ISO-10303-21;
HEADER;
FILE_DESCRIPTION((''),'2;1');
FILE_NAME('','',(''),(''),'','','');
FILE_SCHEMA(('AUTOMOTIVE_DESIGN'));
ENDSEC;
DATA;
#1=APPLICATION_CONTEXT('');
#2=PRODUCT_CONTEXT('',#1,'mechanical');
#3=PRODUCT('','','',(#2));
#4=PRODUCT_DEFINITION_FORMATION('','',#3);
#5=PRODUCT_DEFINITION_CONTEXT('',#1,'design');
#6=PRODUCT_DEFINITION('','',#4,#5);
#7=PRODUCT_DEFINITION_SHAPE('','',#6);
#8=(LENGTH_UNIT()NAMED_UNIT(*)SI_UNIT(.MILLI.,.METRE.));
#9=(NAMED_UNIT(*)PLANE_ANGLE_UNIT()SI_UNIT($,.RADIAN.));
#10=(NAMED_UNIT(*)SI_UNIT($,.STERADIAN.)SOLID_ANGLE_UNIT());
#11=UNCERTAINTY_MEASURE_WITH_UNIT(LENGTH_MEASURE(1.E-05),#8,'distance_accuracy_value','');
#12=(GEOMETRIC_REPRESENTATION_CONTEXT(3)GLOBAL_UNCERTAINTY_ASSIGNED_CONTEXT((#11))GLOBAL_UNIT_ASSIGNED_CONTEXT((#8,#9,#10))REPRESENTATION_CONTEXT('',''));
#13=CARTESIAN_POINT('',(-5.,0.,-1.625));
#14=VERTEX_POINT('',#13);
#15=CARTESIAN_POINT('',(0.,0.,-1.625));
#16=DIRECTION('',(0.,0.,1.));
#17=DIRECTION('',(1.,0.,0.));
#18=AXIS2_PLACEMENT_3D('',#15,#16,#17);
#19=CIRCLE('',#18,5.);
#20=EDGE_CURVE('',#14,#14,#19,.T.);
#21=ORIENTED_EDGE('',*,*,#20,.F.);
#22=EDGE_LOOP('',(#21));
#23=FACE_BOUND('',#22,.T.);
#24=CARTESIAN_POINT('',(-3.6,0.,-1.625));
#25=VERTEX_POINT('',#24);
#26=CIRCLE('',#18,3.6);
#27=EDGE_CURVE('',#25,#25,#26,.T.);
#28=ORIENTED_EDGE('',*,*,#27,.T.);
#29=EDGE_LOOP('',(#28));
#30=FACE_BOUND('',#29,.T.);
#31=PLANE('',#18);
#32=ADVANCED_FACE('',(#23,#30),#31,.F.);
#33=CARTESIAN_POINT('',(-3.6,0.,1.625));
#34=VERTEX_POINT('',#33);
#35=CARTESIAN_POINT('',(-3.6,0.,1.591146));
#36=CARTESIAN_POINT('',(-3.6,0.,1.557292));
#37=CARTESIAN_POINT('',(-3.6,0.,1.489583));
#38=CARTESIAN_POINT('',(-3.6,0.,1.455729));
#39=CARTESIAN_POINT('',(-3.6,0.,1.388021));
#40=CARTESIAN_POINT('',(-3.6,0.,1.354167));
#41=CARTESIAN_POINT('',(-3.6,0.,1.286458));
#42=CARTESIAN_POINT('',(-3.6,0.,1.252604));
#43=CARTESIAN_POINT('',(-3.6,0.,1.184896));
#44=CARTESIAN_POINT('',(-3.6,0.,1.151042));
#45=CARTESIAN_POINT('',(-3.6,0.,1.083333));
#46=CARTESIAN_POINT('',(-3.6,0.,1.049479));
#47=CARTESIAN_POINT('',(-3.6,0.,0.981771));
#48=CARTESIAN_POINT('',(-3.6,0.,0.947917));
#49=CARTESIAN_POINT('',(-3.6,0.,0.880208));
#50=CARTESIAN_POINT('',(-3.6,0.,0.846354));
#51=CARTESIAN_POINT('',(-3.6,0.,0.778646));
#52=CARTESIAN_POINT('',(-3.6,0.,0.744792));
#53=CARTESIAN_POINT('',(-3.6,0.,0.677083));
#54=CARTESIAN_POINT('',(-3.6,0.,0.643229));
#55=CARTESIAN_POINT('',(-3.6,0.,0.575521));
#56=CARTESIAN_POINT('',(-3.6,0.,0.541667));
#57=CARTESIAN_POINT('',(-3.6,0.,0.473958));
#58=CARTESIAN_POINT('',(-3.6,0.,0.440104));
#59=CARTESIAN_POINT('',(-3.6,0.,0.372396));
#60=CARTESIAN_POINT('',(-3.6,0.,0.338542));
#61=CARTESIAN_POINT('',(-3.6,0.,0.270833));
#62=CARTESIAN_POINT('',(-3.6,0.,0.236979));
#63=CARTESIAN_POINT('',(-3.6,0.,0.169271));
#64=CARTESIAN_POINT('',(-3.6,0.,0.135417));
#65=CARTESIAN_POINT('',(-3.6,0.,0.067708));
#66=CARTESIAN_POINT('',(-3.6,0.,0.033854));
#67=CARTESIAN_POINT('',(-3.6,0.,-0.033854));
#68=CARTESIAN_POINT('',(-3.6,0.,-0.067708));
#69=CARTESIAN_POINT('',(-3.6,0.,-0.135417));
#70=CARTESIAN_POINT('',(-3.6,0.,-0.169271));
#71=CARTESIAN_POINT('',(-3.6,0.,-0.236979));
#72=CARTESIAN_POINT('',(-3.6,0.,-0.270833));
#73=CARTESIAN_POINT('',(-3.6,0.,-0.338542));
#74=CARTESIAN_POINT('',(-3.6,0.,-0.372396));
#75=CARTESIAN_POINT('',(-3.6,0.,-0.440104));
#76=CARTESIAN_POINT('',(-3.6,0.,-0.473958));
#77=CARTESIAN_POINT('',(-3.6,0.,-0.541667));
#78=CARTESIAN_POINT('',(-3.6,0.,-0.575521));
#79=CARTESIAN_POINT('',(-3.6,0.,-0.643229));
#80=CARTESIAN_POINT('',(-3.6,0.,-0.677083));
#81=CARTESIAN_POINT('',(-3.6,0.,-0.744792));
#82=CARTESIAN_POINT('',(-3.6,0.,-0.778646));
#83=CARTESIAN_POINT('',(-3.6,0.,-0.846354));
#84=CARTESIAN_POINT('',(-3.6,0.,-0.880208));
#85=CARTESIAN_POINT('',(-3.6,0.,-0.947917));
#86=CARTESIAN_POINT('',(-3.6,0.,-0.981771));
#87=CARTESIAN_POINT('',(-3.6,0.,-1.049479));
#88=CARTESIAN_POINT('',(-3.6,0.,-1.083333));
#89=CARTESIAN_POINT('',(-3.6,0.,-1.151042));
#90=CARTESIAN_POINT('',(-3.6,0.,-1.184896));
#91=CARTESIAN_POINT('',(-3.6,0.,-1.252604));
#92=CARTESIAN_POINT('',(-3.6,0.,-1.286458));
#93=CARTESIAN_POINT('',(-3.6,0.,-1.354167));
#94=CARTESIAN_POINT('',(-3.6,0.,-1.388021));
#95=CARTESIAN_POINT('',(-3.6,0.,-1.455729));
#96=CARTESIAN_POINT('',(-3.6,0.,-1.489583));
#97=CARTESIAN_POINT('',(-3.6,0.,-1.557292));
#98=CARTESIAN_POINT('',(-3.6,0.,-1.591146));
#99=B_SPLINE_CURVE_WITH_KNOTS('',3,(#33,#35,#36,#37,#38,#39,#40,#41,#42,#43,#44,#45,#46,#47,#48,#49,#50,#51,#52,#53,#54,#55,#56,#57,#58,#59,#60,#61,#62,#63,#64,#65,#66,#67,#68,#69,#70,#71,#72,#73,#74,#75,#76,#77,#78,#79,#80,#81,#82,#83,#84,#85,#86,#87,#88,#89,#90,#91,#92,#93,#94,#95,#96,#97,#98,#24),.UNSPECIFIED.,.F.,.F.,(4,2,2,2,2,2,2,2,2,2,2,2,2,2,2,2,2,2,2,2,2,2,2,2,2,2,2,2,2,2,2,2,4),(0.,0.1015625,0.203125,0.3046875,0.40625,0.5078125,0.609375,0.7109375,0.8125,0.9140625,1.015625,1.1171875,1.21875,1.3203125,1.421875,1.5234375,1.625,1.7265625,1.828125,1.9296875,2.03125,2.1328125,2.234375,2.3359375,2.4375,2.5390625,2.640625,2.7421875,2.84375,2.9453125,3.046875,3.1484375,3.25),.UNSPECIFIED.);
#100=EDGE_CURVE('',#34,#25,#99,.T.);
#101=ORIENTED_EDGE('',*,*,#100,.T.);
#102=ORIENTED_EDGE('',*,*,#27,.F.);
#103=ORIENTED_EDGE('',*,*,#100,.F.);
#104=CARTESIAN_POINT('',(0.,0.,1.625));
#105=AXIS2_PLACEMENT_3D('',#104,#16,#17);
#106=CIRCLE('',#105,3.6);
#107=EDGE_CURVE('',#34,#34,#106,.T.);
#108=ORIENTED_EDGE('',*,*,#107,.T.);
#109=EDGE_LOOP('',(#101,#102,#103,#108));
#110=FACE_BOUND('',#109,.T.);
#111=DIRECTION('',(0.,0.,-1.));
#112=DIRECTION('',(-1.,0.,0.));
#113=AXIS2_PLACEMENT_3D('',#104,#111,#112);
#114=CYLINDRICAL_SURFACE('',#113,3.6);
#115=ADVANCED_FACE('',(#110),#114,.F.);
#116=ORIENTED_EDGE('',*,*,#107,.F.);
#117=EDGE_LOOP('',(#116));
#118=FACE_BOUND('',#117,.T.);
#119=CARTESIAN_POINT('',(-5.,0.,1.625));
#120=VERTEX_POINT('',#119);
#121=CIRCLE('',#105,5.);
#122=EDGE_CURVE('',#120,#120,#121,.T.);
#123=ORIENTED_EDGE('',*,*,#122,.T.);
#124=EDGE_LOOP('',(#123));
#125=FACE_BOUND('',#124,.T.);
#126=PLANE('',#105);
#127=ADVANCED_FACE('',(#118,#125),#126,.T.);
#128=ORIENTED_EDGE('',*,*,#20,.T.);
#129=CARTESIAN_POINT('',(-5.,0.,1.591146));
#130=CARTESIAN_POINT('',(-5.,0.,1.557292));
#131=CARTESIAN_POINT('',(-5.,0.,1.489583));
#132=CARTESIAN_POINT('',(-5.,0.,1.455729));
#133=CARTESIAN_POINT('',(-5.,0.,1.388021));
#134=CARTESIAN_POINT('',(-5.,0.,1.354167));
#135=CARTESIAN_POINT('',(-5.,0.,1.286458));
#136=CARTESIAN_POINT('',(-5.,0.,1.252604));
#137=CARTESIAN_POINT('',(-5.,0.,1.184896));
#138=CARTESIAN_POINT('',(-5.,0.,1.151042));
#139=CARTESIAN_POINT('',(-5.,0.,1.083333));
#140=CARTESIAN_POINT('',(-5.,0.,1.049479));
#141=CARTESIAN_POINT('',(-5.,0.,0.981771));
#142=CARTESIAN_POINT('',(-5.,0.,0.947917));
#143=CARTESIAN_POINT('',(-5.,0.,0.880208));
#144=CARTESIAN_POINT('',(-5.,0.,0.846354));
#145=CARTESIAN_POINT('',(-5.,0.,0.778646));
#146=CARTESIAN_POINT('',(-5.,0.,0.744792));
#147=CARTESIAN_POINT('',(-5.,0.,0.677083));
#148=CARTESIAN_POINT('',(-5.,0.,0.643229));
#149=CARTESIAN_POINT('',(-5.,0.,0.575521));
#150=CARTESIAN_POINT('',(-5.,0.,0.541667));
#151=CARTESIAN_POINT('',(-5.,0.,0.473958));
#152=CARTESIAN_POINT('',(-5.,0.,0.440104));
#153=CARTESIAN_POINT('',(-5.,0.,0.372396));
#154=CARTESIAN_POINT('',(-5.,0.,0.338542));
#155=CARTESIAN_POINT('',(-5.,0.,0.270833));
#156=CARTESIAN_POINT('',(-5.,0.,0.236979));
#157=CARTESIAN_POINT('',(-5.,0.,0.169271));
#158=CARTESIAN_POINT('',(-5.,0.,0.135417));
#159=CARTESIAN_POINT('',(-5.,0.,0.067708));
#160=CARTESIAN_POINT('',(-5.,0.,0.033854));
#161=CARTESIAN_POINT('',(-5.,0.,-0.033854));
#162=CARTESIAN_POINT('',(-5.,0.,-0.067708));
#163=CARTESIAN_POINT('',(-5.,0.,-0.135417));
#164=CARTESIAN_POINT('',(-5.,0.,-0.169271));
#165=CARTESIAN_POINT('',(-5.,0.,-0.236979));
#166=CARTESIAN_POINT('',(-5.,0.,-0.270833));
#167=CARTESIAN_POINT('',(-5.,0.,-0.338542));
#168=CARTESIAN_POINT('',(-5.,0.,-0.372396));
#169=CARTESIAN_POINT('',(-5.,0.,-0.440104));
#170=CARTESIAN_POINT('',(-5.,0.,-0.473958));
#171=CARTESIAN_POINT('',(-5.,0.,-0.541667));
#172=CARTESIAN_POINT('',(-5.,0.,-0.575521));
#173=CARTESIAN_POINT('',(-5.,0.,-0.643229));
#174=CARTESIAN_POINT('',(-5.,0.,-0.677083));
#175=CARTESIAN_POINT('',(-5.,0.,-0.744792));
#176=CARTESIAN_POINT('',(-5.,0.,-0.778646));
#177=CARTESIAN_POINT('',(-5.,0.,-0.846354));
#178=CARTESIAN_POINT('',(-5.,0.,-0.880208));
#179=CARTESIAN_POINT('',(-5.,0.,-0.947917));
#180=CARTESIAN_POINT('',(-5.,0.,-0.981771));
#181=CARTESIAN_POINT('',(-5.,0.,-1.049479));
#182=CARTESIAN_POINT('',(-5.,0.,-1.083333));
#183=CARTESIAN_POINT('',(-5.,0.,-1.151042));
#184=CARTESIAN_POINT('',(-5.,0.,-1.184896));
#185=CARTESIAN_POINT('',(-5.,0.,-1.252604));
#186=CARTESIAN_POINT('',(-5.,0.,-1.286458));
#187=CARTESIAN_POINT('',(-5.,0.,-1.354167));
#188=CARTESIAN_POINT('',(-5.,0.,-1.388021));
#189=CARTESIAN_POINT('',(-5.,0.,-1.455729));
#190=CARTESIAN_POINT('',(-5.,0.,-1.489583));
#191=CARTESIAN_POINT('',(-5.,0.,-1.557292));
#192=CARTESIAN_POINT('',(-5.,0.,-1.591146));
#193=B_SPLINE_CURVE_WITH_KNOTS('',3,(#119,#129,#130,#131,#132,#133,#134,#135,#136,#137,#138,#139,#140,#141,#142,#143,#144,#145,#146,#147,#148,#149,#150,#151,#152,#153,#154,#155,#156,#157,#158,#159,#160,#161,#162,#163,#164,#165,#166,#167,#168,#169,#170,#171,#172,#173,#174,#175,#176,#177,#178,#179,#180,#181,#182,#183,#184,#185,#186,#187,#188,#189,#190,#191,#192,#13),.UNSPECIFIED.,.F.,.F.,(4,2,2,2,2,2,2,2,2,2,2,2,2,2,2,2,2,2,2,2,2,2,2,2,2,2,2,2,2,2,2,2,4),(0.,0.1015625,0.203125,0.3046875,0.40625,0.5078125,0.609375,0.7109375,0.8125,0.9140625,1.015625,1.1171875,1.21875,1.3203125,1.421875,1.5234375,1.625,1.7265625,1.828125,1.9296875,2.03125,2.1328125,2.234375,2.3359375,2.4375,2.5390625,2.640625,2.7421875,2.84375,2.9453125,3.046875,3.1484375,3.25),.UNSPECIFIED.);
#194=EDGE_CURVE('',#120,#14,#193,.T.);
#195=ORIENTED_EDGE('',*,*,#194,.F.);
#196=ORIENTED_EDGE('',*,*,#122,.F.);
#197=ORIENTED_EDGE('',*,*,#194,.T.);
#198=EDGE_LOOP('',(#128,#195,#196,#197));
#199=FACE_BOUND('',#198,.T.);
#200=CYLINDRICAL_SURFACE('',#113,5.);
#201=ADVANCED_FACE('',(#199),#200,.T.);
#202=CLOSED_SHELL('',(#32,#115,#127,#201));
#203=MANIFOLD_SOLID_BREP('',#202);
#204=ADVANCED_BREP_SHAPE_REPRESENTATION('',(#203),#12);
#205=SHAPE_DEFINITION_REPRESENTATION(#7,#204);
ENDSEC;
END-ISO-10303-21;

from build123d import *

# Parameters (mm, degrees)
SKETCH1_R           = 5
SKETCH1_R_2         = 3.6
BOSS_EXTRUDE1_DEPTH = 1.625


with BuildPart() as part:
    # Sketch1 → Boss-Extrude1 (new, symmetric)
    with BuildSketch(Plane.XY):
        Circle(SKETCH1_R)
        Circle(SKETCH1_R_2, mode=Mode.SUBTRACT)
    extrude(amount=BOSS_EXTRUDE1_DEPTH, both=True)


solid = part.part
